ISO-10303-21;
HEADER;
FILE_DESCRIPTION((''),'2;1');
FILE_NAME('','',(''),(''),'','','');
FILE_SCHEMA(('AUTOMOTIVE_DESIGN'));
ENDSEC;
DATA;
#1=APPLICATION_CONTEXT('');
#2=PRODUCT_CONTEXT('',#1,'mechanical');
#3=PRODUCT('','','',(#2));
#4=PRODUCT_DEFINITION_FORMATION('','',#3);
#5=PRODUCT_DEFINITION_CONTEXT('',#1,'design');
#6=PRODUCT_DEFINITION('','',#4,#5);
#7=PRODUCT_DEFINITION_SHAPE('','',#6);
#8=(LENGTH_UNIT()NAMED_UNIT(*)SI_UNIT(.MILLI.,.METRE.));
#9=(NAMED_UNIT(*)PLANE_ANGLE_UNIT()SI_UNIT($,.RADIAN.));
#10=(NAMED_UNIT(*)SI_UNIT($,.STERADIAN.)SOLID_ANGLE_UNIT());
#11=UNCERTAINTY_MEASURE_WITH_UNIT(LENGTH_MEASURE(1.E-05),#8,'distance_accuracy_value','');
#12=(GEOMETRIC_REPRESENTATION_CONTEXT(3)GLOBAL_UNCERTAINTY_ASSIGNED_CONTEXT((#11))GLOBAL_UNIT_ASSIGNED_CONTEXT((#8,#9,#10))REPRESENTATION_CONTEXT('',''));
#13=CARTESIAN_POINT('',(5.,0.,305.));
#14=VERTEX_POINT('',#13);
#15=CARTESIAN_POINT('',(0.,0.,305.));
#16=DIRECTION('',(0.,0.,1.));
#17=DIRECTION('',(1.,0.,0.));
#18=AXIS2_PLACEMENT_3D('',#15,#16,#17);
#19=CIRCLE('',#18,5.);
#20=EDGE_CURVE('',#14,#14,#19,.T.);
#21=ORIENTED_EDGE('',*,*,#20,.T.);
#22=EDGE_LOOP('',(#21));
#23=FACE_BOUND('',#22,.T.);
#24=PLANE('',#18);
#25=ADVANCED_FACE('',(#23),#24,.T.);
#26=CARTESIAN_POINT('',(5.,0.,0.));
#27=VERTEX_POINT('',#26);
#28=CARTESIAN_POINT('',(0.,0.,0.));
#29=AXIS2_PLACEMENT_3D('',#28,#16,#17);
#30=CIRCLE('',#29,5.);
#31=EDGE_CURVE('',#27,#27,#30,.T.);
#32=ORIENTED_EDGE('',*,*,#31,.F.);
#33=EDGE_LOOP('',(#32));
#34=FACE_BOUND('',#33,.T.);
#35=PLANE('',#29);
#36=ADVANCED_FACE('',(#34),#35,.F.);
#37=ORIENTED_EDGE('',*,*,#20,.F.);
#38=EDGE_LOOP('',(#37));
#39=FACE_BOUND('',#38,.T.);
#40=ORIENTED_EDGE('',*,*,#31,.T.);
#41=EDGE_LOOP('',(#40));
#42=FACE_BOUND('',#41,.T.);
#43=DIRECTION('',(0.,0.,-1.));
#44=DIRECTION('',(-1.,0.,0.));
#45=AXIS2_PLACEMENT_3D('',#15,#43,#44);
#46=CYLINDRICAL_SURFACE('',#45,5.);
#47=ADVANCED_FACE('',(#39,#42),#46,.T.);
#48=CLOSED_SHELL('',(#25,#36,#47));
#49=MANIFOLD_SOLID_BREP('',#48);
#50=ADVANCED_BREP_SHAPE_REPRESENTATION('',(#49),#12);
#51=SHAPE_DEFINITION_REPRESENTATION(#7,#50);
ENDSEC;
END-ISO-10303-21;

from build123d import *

# Parameters (mm, degrees)
SKETCH1_R           = 5
BOSS_EXTRUDE1_DEPTH = 305


with BuildPart() as part:
    # Sketch1 → Boss-Extrude1 (new body)
    with BuildSketch(Plane.XY):
        Circle(SKETCH1_R)
    extrude(amount=BOSS_EXTRUDE1_DEPTH)


solid = part.part
